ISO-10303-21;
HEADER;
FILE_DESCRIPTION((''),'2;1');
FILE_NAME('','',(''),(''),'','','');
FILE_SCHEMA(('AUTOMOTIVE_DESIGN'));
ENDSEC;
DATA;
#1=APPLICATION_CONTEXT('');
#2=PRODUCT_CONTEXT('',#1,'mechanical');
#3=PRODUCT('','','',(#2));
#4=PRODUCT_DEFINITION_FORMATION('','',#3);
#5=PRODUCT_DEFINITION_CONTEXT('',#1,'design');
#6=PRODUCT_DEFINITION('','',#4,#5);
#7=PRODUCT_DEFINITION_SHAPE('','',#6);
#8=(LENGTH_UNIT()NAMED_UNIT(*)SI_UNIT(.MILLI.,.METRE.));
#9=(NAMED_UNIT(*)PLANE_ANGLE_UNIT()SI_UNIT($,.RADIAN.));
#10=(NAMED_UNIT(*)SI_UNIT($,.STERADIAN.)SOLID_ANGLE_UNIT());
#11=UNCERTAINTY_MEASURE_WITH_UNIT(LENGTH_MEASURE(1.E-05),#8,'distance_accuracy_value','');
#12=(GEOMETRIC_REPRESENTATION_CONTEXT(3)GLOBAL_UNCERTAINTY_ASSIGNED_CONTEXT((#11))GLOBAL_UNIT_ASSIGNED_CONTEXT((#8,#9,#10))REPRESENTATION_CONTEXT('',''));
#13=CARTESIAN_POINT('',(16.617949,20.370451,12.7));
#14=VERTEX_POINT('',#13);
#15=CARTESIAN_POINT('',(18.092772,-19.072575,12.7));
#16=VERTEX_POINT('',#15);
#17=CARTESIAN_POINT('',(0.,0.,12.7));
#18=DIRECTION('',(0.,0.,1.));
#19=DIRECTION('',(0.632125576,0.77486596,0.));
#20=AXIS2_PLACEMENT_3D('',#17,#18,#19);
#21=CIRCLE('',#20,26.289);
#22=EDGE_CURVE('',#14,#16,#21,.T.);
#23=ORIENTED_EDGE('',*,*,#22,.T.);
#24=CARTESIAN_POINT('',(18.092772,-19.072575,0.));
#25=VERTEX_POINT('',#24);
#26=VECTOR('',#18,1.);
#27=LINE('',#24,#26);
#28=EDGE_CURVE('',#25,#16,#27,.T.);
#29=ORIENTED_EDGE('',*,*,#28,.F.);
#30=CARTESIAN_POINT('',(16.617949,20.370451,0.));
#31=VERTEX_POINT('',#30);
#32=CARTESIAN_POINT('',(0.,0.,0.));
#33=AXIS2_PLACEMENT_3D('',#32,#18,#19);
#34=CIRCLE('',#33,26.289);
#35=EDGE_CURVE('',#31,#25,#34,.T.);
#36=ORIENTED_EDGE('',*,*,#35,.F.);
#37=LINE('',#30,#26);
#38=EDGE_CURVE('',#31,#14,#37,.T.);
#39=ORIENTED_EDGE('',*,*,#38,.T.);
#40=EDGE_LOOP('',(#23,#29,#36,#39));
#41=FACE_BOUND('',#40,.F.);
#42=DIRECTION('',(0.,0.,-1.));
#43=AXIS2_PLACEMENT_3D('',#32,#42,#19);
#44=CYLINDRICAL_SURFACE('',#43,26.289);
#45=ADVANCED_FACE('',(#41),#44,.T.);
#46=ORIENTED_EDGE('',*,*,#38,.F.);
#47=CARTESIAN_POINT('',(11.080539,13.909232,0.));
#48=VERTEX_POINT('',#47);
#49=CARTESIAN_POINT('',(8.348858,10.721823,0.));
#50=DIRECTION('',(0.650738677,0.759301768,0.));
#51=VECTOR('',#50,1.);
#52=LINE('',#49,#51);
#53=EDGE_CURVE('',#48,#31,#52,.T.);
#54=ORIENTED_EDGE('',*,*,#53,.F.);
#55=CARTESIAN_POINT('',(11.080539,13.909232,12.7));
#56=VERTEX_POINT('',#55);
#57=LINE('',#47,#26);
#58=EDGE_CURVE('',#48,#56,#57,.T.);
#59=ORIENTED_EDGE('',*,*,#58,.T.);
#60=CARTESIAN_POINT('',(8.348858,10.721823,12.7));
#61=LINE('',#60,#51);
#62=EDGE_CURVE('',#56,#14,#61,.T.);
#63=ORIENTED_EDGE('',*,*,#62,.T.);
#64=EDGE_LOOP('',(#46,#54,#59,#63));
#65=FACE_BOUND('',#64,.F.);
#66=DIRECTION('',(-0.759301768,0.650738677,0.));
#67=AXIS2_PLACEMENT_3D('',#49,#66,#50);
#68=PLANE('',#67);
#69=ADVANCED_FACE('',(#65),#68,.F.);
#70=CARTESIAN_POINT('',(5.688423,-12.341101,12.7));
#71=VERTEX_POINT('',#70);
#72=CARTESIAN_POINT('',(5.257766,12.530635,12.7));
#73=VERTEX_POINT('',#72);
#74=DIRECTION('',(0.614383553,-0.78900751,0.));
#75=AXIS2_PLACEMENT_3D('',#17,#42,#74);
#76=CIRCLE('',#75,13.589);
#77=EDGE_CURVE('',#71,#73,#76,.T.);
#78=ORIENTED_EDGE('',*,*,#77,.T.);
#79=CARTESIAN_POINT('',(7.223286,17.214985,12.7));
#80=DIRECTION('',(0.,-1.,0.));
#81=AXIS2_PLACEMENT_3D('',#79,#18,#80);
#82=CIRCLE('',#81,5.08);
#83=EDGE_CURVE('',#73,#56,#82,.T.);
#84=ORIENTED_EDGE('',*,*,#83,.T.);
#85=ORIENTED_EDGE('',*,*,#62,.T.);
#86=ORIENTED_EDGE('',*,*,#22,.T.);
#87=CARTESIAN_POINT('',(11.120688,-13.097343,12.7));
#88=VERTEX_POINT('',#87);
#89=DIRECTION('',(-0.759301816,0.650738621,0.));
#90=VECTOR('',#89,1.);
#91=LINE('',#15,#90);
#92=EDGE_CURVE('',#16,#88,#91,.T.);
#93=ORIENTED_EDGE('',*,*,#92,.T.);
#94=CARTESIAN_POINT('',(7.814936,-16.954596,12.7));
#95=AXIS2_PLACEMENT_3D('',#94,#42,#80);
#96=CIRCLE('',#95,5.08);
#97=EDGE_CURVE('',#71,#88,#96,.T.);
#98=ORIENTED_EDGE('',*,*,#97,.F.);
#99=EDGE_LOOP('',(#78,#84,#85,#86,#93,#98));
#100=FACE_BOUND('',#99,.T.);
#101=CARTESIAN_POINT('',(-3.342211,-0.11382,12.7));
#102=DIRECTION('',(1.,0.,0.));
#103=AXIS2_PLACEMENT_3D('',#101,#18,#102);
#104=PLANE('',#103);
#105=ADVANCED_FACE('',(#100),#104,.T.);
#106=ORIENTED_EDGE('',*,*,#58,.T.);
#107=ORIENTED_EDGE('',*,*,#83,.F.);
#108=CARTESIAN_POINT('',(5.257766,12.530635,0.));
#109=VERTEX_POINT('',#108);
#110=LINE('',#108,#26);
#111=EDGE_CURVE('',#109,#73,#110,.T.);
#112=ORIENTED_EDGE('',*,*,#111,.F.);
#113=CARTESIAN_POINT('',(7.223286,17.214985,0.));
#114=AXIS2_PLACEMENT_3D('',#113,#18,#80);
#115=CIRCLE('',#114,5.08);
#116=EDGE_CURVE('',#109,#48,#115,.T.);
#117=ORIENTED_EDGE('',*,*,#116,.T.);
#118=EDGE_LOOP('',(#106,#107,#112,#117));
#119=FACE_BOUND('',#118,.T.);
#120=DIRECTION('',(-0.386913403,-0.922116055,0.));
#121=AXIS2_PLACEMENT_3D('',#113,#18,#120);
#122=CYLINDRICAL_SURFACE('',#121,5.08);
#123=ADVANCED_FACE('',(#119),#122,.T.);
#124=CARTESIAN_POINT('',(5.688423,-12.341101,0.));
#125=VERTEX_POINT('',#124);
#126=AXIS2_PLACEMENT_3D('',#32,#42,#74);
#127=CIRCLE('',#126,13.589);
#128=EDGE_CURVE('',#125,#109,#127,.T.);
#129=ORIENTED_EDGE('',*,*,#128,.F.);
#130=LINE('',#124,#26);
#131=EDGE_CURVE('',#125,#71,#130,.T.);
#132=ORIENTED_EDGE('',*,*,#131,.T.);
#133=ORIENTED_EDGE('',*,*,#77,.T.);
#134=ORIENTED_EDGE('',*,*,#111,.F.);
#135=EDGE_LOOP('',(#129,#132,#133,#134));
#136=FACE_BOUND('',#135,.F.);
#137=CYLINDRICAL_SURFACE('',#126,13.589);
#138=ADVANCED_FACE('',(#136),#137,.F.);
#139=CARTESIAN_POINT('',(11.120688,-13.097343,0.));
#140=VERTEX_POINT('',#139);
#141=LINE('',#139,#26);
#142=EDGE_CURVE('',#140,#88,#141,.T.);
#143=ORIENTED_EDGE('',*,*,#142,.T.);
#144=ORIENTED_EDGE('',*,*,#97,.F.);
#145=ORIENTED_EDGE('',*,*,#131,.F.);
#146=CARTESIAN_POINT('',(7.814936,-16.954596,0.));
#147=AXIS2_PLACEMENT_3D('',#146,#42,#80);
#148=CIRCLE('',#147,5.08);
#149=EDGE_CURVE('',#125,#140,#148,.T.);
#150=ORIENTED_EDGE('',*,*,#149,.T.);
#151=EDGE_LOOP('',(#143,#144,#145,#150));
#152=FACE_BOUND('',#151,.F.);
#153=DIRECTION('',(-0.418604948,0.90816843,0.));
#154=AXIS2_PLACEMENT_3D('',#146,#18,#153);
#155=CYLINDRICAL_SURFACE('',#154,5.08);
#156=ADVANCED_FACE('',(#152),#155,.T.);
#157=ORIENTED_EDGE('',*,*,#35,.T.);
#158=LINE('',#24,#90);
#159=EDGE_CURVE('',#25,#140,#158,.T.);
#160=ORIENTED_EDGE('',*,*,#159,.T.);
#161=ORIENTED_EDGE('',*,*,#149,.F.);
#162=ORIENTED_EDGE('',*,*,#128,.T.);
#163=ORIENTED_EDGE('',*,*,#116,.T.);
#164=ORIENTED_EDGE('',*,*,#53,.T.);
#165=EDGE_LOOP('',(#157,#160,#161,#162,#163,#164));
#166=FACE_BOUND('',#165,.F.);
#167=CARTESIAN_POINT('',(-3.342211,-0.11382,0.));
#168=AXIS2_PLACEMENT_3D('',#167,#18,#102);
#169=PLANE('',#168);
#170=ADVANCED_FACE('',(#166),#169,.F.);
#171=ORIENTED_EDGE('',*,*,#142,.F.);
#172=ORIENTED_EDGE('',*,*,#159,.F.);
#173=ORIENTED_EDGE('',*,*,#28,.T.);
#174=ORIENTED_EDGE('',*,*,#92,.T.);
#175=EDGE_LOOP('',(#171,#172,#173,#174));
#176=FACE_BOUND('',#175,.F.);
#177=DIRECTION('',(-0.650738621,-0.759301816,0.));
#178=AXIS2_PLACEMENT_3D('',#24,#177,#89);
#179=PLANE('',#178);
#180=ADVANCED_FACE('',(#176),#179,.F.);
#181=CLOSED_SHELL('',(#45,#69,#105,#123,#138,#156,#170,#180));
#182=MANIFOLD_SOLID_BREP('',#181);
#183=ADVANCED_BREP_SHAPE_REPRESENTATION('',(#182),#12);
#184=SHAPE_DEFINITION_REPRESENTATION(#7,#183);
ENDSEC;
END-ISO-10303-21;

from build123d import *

# Parameters (mm, degrees)
F1_DEPTH = 12.7
F2_R     = 5.08


with BuildPart() as f1:
    # F0 (on Top) → F1 (new body)
    with BuildSketch(Plane.XY):
        with BuildLine():
            ThreePointArc((8.348858, -10.721823), (-13.589, 0), (8.348858, 10.721823))
            Line((8.348858, 10.721823), (16.617949, 20.370451))
            ThreePointArc((16.617949, 20.370451), (-26.270642, -0.982292), (18.092772, -19.072575))
            Line((18.092772, -19.072575), (8.348858, -10.721823))
        make_face()
    extrude(amount=F1_DEPTH)

    # F2
    f2_edges = [f1.edges().sort_by_distance(p)[0] for p in [
        (8.348858, 10.721823, 6.35),
        (8.348858, -10.721823, 6.35),
    ]]
    fillet(f2_edges, radius=F2_R)


solid = f1.part
